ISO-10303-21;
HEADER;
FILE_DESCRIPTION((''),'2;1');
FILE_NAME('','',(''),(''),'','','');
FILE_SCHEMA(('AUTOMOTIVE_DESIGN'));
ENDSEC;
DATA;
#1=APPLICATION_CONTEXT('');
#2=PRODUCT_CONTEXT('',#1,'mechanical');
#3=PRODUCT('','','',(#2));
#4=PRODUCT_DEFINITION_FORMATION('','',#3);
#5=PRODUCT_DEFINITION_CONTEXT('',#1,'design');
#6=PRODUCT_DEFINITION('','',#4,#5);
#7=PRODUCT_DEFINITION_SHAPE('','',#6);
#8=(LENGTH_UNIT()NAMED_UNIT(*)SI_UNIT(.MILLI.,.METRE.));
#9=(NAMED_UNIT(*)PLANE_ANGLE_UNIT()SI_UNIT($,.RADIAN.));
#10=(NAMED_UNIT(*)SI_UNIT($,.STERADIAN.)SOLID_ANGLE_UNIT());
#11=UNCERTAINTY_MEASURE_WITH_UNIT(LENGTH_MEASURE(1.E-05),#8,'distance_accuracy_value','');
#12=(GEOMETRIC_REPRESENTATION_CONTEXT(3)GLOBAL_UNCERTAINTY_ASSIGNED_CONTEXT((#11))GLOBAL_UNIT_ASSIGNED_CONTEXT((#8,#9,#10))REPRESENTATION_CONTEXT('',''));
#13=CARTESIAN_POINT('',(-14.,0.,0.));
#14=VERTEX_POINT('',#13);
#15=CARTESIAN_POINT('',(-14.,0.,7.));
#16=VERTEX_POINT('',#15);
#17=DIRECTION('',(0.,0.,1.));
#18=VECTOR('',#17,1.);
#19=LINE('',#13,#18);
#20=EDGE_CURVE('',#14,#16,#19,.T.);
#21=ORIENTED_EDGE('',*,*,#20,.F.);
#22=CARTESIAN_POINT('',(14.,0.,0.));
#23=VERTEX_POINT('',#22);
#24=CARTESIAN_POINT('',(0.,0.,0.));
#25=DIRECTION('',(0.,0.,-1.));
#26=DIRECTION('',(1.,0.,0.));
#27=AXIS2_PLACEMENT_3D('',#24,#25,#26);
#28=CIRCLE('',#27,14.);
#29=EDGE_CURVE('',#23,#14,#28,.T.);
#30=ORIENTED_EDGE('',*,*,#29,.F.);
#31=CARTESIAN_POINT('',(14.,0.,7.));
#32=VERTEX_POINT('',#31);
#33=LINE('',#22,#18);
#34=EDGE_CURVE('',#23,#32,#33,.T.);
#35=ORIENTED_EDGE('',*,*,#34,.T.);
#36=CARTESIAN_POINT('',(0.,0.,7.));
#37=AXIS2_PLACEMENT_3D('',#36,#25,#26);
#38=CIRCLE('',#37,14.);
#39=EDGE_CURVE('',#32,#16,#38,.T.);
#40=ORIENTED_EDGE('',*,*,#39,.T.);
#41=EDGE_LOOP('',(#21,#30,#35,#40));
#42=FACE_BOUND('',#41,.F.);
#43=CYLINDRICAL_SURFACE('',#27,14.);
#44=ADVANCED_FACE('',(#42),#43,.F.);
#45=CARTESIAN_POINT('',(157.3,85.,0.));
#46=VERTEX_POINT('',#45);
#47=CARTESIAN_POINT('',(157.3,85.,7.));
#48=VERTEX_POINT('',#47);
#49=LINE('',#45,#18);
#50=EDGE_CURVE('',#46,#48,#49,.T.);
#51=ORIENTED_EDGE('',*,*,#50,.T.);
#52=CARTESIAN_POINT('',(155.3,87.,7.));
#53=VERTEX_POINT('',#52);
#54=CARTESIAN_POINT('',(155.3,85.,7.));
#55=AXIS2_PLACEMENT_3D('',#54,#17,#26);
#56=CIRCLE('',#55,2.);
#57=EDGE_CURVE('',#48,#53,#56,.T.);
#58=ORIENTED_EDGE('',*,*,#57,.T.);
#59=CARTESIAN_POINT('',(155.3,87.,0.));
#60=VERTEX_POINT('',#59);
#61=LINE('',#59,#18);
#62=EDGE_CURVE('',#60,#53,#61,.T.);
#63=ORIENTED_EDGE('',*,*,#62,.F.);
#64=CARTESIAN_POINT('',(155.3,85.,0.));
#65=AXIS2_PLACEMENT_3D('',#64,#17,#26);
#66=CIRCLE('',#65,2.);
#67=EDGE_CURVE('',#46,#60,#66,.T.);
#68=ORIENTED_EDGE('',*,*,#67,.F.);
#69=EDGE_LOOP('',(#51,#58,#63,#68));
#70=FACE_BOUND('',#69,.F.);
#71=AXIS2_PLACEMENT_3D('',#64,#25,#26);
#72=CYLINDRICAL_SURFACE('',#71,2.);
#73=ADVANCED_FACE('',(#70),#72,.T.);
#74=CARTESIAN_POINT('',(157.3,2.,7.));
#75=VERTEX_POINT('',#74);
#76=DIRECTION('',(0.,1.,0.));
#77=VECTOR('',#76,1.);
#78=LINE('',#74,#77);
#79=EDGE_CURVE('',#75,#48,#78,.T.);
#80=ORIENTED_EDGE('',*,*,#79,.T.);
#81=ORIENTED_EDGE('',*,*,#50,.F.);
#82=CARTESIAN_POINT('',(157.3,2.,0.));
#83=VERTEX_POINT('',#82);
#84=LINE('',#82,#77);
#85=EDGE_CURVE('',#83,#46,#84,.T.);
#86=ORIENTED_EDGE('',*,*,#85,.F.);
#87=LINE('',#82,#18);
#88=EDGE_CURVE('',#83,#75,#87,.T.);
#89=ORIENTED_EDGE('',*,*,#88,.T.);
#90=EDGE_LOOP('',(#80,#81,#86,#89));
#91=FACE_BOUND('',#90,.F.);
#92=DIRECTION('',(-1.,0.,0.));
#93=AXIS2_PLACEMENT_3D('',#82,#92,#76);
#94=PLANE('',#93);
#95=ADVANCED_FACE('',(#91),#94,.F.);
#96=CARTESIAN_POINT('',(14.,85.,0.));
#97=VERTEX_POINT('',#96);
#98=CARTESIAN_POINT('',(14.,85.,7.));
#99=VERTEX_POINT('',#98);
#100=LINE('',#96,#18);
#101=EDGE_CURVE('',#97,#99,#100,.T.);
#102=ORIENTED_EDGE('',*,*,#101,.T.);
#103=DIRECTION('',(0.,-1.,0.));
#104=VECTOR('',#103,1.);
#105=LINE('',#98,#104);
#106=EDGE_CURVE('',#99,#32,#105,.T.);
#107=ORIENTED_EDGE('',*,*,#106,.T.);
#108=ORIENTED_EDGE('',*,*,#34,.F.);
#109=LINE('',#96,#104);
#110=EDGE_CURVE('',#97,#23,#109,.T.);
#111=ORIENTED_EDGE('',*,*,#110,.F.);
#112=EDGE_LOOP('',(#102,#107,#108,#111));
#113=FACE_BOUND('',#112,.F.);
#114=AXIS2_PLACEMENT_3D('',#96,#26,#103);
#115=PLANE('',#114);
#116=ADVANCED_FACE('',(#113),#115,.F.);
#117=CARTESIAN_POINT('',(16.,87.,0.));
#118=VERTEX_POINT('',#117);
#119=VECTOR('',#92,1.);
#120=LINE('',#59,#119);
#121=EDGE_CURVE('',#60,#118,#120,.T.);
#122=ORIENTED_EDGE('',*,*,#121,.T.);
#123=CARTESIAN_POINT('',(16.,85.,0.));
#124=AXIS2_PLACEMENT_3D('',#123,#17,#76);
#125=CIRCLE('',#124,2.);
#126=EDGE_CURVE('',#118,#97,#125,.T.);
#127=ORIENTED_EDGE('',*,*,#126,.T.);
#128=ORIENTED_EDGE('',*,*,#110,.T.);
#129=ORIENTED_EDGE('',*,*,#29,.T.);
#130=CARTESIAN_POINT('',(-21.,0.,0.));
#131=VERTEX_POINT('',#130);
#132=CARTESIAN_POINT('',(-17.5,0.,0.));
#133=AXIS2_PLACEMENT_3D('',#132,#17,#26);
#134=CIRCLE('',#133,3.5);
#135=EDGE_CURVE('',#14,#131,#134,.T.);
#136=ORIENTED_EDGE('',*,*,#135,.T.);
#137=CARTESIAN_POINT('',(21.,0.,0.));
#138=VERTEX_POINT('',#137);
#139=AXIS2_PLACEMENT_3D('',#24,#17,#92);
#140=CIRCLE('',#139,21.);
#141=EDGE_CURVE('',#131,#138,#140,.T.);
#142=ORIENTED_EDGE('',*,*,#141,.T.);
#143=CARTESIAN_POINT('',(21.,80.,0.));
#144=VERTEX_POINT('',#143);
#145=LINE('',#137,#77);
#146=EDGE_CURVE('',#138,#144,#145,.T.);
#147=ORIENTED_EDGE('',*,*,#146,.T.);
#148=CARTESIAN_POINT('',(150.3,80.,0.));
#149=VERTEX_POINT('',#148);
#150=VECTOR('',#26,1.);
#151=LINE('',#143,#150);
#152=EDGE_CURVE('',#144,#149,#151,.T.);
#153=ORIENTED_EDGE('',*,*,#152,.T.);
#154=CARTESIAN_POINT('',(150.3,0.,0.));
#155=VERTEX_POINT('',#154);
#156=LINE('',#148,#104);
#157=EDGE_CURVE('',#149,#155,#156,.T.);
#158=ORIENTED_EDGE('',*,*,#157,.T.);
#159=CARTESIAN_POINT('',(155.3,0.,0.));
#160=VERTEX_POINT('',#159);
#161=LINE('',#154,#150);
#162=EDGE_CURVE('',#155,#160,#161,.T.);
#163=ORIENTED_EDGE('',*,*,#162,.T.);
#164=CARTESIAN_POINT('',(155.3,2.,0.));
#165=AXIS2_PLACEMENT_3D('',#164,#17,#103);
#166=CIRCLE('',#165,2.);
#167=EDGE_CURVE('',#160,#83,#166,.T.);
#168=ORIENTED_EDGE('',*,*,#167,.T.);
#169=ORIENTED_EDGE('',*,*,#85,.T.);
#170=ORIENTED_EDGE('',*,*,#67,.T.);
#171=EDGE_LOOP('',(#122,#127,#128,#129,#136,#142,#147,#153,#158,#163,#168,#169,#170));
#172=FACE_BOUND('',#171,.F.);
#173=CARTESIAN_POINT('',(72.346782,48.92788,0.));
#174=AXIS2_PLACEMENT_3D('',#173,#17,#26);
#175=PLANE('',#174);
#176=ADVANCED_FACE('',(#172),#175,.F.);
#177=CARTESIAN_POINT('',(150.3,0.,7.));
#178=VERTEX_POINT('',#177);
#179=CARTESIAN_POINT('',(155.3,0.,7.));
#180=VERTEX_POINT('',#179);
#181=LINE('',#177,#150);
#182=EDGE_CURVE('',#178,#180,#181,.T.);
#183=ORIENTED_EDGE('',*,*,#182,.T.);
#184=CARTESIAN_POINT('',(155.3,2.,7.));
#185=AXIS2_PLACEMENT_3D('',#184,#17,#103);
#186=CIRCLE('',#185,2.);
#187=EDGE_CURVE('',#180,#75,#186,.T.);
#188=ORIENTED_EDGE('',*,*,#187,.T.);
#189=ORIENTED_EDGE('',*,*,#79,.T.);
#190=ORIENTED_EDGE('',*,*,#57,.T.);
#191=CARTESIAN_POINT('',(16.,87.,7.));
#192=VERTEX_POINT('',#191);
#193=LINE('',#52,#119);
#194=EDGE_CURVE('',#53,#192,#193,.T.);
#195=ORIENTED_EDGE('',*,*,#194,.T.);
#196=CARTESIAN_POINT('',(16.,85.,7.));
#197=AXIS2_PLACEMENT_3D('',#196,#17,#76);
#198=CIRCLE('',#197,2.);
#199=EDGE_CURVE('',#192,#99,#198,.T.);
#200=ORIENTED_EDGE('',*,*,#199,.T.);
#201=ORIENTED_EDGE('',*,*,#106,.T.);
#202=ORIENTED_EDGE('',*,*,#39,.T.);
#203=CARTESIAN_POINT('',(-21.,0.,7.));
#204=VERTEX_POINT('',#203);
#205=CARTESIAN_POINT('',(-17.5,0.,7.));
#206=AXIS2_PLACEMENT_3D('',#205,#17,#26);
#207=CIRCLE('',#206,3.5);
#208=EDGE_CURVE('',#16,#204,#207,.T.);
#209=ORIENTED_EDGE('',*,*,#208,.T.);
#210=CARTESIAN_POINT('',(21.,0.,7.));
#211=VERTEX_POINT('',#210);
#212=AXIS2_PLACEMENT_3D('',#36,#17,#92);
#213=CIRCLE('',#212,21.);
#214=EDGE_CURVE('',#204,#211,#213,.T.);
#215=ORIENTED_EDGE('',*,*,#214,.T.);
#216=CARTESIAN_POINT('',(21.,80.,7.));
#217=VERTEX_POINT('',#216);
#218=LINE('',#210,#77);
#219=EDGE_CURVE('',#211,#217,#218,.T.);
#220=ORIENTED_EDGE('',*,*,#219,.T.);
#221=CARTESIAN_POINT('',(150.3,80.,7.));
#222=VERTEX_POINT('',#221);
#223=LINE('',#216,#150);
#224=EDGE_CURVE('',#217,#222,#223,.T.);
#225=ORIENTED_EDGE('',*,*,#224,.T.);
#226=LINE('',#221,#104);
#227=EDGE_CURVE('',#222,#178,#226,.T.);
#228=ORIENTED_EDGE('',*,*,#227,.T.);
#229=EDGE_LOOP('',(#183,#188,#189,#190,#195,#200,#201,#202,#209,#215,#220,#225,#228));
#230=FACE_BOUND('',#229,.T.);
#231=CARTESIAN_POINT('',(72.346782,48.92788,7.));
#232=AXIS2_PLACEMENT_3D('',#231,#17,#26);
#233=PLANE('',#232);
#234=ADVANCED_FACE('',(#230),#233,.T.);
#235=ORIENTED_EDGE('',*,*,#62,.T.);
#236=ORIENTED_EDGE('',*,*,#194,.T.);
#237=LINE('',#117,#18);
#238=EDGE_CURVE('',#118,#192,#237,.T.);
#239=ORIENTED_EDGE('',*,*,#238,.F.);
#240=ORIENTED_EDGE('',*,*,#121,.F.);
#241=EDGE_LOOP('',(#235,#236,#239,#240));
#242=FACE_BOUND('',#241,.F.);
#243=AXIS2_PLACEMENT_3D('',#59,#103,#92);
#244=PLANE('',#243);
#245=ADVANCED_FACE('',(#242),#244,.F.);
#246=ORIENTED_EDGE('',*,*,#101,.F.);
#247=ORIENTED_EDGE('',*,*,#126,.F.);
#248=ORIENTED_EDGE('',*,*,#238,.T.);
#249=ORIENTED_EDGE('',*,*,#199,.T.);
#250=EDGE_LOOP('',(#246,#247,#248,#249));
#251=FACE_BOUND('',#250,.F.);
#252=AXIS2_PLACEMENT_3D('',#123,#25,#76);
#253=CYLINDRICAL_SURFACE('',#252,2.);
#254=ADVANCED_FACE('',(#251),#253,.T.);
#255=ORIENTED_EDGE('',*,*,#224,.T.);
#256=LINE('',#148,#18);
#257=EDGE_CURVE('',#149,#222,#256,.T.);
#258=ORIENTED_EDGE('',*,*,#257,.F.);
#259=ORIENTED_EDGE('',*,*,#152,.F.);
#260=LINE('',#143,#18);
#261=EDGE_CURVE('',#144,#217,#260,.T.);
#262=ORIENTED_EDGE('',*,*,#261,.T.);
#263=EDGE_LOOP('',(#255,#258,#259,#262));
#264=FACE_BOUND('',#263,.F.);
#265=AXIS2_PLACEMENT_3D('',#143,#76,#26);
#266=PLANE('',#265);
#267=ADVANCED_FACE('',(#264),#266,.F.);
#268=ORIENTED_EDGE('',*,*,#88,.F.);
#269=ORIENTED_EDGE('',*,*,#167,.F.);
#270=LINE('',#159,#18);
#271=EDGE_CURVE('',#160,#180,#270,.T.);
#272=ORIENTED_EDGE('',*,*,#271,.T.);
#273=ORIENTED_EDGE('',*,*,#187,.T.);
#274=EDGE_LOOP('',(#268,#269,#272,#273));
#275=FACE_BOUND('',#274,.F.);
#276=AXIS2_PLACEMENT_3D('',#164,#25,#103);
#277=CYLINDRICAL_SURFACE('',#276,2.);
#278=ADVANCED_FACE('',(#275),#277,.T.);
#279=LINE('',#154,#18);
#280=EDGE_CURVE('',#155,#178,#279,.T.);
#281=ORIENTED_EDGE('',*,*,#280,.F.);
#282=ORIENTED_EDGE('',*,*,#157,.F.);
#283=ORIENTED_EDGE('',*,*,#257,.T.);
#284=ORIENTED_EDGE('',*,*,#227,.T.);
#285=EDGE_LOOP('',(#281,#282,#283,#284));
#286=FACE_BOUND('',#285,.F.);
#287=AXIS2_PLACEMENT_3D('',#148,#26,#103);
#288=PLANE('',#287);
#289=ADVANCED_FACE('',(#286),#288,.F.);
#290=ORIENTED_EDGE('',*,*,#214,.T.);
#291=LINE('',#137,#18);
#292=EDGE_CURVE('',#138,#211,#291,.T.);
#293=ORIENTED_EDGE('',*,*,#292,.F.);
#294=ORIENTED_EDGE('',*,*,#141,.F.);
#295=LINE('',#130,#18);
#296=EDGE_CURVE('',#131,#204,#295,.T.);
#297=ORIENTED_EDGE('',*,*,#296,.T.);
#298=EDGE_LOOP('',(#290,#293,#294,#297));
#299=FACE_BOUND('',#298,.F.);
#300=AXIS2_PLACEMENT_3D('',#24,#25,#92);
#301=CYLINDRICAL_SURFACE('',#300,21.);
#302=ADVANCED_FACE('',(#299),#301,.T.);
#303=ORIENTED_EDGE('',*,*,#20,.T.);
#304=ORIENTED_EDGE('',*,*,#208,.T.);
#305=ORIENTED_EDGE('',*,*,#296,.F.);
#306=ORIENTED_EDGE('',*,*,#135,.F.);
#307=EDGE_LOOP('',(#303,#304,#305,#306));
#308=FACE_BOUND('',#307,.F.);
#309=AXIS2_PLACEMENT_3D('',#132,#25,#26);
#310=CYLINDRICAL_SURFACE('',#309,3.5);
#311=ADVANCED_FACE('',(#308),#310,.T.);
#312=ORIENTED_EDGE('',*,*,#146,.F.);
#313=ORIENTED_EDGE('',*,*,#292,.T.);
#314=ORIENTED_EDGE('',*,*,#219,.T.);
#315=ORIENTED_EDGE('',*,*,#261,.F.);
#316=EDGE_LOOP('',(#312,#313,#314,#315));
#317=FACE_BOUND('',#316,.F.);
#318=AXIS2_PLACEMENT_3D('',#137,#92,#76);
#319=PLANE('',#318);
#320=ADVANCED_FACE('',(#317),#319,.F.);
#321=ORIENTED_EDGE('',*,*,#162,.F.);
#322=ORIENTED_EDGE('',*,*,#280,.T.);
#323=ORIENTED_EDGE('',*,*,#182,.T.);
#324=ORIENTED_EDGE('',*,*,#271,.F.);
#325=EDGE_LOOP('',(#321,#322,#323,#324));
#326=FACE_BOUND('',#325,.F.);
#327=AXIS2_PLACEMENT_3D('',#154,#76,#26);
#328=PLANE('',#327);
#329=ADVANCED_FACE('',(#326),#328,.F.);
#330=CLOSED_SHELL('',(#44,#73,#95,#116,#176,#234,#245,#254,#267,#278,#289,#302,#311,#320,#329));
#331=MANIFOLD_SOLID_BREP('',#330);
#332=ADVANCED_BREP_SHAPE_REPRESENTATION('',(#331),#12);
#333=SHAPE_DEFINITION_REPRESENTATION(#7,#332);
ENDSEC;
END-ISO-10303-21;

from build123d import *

# Parameters (mm, degrees)
F2_DEPTH = 7


with BuildPart() as f2:
    # F1 (on Top) → F2 (new body)
    with BuildSketch(Plane.XY):
        with BuildLine():
            ThreePointArc((14, 0), (0, -14), (-14, 0))
            ThreePointArc((-14, 0), (-17.5, 3.5), (-21, 0))
            ThreePointArc((-21, 0), (0, -21), (21, 0))
            Line((21, 0), (21, 80))
            Line((21, 80), (150.3, 80))
            Line((150.3, 80), (150.3, 0))
            Line((150.3, 0), (155.3, 0))
            ThreePointArc((155.3, 0), (156.7142135624, 0.5857864376), (157.3, 2))
            Line((157.3, 2), (157.3, 85))
            ThreePointArc((157.3, 85), (156.7142135624, 86.4142135624), (155.3, 87))
            Line((155.3, 87), (16, 87))
            ThreePointArc((16, 87), (14.5857864376, 86.4142135624), (14, 85))
            Line((14, 85), (14, 0))
        make_face()
    extrude(amount=F2_DEPTH)


solid = f2.part
